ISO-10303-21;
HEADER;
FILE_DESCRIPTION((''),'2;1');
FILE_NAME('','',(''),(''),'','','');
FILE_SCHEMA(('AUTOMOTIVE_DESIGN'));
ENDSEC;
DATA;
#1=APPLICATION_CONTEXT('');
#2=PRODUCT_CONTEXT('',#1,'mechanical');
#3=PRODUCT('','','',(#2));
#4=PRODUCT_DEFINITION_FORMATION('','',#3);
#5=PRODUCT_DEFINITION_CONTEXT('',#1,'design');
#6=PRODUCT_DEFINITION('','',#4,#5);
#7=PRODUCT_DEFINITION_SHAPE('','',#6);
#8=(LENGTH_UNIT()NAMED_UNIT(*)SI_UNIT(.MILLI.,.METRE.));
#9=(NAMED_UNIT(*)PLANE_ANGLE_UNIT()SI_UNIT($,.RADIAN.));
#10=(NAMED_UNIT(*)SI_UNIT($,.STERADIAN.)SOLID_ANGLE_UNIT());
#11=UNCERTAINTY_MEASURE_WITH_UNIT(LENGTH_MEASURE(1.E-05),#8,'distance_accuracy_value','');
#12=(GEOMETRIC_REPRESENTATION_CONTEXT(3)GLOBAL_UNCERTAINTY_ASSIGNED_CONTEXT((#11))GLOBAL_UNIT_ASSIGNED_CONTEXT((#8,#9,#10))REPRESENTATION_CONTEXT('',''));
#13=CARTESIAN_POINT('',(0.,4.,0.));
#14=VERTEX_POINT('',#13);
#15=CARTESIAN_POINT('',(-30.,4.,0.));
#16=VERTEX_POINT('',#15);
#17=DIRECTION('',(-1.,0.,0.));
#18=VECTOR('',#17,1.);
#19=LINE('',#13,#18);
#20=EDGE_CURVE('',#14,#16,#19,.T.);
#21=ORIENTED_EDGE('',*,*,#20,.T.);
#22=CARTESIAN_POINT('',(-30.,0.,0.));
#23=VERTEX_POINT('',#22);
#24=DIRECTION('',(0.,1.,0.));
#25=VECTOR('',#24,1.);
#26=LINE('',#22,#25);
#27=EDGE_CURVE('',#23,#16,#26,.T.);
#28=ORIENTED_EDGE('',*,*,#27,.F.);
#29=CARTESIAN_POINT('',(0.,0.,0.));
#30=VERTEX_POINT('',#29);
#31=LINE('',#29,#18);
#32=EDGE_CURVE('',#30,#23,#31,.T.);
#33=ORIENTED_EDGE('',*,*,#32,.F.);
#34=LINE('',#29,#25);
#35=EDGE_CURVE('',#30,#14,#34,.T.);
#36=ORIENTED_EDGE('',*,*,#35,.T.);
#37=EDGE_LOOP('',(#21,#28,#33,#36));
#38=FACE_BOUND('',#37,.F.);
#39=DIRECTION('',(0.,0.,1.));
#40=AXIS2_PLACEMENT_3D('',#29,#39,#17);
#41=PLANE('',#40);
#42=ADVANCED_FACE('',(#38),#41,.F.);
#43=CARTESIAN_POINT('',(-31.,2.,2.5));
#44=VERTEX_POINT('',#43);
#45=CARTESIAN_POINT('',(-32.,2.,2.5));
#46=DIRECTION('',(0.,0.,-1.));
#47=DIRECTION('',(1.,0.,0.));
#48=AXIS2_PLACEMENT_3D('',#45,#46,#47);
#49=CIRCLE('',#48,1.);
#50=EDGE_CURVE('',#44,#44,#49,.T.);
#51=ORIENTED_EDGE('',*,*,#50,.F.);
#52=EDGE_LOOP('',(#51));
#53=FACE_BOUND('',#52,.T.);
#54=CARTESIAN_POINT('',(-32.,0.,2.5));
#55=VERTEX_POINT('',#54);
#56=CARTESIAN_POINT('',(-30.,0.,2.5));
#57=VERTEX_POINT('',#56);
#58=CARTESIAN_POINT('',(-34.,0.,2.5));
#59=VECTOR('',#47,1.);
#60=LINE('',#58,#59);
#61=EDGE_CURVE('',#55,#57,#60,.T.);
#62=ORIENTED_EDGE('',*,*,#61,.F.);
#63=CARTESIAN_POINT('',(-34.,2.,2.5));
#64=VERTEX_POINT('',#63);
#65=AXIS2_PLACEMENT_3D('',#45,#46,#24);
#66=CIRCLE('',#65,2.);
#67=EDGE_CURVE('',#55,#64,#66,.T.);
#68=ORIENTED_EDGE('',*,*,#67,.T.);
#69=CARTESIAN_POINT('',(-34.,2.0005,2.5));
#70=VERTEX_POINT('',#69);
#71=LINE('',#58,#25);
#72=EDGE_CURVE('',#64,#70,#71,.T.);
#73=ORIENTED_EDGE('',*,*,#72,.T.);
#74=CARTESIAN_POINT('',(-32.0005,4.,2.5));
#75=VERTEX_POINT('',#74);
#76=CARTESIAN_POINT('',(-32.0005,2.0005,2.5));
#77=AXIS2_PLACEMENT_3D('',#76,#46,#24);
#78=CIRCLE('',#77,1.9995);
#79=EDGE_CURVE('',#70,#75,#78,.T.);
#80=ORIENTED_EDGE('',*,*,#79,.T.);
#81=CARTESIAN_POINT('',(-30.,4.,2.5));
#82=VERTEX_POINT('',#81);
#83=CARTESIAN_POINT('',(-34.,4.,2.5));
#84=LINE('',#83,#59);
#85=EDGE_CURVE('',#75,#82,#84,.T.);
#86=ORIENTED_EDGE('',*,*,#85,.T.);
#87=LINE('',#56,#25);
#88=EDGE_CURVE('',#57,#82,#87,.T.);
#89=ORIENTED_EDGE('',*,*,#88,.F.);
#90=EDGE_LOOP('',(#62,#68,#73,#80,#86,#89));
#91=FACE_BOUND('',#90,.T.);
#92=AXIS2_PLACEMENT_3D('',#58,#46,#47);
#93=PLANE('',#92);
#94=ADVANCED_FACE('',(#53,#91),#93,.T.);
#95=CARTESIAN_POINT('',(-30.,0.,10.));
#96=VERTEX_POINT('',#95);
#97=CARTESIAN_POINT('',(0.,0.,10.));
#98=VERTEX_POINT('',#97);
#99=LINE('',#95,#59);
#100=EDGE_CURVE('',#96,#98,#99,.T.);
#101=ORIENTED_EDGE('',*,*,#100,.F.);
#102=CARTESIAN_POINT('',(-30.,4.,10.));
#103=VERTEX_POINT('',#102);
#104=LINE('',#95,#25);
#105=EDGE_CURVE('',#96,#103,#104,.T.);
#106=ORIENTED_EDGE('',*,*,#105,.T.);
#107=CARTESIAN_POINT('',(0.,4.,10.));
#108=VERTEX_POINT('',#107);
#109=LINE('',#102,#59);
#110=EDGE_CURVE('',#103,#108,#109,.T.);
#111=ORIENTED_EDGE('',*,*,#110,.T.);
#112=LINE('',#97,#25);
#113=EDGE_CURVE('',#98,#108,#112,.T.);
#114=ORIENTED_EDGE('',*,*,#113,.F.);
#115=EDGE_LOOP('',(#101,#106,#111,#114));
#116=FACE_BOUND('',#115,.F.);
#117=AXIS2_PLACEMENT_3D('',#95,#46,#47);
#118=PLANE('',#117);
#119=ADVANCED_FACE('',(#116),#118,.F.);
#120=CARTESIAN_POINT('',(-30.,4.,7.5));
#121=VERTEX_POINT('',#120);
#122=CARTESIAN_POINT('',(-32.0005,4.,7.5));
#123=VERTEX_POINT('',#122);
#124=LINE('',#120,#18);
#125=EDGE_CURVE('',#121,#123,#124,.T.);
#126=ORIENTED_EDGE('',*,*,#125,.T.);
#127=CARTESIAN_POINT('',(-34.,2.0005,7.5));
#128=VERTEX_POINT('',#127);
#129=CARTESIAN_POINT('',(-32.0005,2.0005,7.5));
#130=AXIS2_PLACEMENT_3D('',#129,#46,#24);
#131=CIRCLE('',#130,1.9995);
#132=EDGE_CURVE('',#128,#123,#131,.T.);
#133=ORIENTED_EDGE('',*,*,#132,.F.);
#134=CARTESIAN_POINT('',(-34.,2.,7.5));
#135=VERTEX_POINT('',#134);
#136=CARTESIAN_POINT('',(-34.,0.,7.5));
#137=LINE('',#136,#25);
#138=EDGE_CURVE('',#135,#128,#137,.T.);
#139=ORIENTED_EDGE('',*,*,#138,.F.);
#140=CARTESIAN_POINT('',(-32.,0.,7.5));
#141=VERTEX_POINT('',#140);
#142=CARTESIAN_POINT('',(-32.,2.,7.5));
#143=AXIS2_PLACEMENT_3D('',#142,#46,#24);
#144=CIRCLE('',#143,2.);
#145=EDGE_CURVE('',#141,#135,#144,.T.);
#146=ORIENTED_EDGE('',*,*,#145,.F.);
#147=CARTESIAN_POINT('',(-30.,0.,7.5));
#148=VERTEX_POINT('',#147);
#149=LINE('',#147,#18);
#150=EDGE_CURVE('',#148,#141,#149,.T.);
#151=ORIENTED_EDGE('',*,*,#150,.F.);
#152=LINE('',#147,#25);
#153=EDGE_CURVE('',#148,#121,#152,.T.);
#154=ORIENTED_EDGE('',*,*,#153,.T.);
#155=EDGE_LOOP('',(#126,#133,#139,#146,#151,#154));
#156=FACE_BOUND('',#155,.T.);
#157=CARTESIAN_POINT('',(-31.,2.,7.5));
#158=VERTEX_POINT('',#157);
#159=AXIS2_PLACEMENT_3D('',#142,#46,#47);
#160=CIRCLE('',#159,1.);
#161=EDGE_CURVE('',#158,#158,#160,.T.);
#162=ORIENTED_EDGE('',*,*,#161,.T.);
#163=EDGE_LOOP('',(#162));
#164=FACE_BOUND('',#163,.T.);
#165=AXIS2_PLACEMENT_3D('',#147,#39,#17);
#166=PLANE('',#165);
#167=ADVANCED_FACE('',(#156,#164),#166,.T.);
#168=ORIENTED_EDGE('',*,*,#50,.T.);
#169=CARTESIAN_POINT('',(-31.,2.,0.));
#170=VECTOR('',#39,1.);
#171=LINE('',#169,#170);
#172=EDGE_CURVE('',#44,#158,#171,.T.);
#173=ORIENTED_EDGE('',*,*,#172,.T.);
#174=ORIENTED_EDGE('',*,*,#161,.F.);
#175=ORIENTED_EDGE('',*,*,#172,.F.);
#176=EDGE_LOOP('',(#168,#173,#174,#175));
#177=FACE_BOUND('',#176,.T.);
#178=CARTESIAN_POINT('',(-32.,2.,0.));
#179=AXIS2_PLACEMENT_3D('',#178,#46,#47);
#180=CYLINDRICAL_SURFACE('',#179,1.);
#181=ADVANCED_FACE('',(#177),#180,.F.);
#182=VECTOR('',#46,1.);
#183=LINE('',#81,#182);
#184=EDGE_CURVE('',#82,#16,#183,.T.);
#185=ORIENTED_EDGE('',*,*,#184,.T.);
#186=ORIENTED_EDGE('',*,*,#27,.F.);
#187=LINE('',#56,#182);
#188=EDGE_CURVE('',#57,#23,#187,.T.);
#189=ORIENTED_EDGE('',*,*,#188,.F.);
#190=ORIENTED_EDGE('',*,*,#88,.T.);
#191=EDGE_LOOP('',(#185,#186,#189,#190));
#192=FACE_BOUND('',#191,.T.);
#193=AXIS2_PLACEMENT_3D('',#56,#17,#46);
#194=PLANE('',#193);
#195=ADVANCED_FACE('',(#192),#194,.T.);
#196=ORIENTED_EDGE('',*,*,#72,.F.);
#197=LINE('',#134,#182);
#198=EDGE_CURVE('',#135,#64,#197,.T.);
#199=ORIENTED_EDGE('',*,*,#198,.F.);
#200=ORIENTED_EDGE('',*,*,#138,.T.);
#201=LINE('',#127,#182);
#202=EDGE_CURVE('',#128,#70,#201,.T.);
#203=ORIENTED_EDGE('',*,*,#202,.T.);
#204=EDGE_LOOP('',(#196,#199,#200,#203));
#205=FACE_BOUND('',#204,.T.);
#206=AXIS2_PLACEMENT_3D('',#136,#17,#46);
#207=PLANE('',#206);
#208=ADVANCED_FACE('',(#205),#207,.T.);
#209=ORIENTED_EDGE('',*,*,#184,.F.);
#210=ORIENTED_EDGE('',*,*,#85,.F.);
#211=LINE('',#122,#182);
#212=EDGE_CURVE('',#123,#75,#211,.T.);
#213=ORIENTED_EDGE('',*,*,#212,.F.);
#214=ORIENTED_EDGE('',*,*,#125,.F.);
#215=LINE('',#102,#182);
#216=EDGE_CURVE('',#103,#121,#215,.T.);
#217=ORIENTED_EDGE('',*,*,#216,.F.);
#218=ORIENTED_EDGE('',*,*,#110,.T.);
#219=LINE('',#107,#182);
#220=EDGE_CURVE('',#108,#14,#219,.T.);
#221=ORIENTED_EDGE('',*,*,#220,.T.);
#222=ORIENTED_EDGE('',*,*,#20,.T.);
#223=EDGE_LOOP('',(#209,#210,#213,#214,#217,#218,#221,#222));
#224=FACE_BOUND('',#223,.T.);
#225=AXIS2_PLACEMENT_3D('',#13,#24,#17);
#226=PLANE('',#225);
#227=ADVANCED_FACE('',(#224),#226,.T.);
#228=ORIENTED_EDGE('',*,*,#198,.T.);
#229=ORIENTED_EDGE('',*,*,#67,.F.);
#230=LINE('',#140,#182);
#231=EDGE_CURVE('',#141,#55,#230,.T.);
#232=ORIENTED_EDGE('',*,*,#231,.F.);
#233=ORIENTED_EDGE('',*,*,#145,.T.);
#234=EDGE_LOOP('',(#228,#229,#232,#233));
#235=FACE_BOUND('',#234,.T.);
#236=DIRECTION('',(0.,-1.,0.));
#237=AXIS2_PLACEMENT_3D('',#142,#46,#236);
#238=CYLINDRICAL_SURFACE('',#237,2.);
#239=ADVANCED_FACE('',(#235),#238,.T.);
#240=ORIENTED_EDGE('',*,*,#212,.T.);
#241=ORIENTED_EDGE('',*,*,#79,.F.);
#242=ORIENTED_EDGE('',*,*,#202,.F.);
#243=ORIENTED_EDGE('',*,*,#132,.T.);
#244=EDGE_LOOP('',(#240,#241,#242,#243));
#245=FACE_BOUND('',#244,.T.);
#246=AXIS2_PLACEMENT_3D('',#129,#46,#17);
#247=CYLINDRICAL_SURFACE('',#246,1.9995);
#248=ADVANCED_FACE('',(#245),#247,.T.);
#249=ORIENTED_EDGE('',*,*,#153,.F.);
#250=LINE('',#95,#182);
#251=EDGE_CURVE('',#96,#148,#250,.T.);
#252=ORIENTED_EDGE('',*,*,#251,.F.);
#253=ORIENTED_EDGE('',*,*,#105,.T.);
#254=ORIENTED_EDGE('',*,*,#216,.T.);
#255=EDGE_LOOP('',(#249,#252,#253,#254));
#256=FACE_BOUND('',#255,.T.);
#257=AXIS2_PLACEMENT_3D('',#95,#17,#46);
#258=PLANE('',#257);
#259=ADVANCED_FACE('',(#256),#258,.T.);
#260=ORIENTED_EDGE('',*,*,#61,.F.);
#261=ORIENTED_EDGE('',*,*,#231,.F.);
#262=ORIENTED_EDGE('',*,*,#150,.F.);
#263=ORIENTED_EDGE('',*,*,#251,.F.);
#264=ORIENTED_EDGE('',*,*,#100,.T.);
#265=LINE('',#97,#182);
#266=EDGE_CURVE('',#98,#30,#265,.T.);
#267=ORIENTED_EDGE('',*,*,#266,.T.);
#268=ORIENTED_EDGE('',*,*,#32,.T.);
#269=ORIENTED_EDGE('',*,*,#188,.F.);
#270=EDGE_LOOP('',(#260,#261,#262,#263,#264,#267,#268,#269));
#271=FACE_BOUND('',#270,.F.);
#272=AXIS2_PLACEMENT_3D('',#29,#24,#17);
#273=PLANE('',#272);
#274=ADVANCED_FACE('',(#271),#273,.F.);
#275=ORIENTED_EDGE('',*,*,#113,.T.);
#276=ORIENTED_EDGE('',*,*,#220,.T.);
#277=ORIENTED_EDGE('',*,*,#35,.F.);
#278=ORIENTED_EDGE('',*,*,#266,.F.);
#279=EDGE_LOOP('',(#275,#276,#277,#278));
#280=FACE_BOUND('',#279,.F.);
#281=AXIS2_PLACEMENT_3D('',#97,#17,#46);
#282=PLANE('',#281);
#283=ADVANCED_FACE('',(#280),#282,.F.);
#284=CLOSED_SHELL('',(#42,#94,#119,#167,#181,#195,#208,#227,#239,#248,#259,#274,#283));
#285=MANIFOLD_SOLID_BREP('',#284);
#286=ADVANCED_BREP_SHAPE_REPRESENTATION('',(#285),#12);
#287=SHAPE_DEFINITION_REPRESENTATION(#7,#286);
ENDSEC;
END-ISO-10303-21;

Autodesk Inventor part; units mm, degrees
ref_plane "YZ Plane" through (0, 0, 0) normal (1, 0, 0) x (0, 1, 0)
ref_plane "XZ Plane" through (0, 0, 0) normal (0, 1, 0) x (-1, 0, 0)
ref_plane "XY Plane" through (0, 0, 0) normal (0, 0, 1) x (1, 0, 0)
sketch "スケッチ1" plane through (0, 0, 0) normal (0, 1, 0) x (-1, 0, 0)
  line L0 (0, 0) -> (30, 0)
  line L1 (30, 10) -> (0, 10)
  line L2 (0, 10) -> (0, 0)
  line L3 (30, 7.5) -> (34, 7.5)
  line L4 (34, 7.5) -> (34, 2.5)
  line L5 (34, 2.5) -> (30, 2.5)
  line L6 (30, 10) -> (30, 7.5)
  line L7 (30, 2.5) -> (30, 0)
  dimension "d0" = 30
  dimension "d1" = 10
  dimension "d5" = 5
  dimension "d6" = 2.5
extrude "押し出し1" add sketch "スケッチ1" along normal blind 4
sketch "スケッチ2" plane through (0, 0, 0) normal (0, 0, 1) x (1, 0, 0)
  circle A0 centre (-32, 2) radius 1
  line L0 (-34, 4) -> (-30, 4) projected
  line L1 (-34, 0) -> (-34, 4) projected
  point P0 (0, 0)
  dimension "d7" = 2
  dimension "d8" = 2
  dimension "d9" = 2
extrude "押し出し2" cut sketch "スケッチ2" along normal blind 10
fillet "フィレット1" radius 2 1 edges at (-34, 0, 5)
fillet "フィレット2" radius 2 1 edges at (-34, 4, 5)
properties part number "promo3"
